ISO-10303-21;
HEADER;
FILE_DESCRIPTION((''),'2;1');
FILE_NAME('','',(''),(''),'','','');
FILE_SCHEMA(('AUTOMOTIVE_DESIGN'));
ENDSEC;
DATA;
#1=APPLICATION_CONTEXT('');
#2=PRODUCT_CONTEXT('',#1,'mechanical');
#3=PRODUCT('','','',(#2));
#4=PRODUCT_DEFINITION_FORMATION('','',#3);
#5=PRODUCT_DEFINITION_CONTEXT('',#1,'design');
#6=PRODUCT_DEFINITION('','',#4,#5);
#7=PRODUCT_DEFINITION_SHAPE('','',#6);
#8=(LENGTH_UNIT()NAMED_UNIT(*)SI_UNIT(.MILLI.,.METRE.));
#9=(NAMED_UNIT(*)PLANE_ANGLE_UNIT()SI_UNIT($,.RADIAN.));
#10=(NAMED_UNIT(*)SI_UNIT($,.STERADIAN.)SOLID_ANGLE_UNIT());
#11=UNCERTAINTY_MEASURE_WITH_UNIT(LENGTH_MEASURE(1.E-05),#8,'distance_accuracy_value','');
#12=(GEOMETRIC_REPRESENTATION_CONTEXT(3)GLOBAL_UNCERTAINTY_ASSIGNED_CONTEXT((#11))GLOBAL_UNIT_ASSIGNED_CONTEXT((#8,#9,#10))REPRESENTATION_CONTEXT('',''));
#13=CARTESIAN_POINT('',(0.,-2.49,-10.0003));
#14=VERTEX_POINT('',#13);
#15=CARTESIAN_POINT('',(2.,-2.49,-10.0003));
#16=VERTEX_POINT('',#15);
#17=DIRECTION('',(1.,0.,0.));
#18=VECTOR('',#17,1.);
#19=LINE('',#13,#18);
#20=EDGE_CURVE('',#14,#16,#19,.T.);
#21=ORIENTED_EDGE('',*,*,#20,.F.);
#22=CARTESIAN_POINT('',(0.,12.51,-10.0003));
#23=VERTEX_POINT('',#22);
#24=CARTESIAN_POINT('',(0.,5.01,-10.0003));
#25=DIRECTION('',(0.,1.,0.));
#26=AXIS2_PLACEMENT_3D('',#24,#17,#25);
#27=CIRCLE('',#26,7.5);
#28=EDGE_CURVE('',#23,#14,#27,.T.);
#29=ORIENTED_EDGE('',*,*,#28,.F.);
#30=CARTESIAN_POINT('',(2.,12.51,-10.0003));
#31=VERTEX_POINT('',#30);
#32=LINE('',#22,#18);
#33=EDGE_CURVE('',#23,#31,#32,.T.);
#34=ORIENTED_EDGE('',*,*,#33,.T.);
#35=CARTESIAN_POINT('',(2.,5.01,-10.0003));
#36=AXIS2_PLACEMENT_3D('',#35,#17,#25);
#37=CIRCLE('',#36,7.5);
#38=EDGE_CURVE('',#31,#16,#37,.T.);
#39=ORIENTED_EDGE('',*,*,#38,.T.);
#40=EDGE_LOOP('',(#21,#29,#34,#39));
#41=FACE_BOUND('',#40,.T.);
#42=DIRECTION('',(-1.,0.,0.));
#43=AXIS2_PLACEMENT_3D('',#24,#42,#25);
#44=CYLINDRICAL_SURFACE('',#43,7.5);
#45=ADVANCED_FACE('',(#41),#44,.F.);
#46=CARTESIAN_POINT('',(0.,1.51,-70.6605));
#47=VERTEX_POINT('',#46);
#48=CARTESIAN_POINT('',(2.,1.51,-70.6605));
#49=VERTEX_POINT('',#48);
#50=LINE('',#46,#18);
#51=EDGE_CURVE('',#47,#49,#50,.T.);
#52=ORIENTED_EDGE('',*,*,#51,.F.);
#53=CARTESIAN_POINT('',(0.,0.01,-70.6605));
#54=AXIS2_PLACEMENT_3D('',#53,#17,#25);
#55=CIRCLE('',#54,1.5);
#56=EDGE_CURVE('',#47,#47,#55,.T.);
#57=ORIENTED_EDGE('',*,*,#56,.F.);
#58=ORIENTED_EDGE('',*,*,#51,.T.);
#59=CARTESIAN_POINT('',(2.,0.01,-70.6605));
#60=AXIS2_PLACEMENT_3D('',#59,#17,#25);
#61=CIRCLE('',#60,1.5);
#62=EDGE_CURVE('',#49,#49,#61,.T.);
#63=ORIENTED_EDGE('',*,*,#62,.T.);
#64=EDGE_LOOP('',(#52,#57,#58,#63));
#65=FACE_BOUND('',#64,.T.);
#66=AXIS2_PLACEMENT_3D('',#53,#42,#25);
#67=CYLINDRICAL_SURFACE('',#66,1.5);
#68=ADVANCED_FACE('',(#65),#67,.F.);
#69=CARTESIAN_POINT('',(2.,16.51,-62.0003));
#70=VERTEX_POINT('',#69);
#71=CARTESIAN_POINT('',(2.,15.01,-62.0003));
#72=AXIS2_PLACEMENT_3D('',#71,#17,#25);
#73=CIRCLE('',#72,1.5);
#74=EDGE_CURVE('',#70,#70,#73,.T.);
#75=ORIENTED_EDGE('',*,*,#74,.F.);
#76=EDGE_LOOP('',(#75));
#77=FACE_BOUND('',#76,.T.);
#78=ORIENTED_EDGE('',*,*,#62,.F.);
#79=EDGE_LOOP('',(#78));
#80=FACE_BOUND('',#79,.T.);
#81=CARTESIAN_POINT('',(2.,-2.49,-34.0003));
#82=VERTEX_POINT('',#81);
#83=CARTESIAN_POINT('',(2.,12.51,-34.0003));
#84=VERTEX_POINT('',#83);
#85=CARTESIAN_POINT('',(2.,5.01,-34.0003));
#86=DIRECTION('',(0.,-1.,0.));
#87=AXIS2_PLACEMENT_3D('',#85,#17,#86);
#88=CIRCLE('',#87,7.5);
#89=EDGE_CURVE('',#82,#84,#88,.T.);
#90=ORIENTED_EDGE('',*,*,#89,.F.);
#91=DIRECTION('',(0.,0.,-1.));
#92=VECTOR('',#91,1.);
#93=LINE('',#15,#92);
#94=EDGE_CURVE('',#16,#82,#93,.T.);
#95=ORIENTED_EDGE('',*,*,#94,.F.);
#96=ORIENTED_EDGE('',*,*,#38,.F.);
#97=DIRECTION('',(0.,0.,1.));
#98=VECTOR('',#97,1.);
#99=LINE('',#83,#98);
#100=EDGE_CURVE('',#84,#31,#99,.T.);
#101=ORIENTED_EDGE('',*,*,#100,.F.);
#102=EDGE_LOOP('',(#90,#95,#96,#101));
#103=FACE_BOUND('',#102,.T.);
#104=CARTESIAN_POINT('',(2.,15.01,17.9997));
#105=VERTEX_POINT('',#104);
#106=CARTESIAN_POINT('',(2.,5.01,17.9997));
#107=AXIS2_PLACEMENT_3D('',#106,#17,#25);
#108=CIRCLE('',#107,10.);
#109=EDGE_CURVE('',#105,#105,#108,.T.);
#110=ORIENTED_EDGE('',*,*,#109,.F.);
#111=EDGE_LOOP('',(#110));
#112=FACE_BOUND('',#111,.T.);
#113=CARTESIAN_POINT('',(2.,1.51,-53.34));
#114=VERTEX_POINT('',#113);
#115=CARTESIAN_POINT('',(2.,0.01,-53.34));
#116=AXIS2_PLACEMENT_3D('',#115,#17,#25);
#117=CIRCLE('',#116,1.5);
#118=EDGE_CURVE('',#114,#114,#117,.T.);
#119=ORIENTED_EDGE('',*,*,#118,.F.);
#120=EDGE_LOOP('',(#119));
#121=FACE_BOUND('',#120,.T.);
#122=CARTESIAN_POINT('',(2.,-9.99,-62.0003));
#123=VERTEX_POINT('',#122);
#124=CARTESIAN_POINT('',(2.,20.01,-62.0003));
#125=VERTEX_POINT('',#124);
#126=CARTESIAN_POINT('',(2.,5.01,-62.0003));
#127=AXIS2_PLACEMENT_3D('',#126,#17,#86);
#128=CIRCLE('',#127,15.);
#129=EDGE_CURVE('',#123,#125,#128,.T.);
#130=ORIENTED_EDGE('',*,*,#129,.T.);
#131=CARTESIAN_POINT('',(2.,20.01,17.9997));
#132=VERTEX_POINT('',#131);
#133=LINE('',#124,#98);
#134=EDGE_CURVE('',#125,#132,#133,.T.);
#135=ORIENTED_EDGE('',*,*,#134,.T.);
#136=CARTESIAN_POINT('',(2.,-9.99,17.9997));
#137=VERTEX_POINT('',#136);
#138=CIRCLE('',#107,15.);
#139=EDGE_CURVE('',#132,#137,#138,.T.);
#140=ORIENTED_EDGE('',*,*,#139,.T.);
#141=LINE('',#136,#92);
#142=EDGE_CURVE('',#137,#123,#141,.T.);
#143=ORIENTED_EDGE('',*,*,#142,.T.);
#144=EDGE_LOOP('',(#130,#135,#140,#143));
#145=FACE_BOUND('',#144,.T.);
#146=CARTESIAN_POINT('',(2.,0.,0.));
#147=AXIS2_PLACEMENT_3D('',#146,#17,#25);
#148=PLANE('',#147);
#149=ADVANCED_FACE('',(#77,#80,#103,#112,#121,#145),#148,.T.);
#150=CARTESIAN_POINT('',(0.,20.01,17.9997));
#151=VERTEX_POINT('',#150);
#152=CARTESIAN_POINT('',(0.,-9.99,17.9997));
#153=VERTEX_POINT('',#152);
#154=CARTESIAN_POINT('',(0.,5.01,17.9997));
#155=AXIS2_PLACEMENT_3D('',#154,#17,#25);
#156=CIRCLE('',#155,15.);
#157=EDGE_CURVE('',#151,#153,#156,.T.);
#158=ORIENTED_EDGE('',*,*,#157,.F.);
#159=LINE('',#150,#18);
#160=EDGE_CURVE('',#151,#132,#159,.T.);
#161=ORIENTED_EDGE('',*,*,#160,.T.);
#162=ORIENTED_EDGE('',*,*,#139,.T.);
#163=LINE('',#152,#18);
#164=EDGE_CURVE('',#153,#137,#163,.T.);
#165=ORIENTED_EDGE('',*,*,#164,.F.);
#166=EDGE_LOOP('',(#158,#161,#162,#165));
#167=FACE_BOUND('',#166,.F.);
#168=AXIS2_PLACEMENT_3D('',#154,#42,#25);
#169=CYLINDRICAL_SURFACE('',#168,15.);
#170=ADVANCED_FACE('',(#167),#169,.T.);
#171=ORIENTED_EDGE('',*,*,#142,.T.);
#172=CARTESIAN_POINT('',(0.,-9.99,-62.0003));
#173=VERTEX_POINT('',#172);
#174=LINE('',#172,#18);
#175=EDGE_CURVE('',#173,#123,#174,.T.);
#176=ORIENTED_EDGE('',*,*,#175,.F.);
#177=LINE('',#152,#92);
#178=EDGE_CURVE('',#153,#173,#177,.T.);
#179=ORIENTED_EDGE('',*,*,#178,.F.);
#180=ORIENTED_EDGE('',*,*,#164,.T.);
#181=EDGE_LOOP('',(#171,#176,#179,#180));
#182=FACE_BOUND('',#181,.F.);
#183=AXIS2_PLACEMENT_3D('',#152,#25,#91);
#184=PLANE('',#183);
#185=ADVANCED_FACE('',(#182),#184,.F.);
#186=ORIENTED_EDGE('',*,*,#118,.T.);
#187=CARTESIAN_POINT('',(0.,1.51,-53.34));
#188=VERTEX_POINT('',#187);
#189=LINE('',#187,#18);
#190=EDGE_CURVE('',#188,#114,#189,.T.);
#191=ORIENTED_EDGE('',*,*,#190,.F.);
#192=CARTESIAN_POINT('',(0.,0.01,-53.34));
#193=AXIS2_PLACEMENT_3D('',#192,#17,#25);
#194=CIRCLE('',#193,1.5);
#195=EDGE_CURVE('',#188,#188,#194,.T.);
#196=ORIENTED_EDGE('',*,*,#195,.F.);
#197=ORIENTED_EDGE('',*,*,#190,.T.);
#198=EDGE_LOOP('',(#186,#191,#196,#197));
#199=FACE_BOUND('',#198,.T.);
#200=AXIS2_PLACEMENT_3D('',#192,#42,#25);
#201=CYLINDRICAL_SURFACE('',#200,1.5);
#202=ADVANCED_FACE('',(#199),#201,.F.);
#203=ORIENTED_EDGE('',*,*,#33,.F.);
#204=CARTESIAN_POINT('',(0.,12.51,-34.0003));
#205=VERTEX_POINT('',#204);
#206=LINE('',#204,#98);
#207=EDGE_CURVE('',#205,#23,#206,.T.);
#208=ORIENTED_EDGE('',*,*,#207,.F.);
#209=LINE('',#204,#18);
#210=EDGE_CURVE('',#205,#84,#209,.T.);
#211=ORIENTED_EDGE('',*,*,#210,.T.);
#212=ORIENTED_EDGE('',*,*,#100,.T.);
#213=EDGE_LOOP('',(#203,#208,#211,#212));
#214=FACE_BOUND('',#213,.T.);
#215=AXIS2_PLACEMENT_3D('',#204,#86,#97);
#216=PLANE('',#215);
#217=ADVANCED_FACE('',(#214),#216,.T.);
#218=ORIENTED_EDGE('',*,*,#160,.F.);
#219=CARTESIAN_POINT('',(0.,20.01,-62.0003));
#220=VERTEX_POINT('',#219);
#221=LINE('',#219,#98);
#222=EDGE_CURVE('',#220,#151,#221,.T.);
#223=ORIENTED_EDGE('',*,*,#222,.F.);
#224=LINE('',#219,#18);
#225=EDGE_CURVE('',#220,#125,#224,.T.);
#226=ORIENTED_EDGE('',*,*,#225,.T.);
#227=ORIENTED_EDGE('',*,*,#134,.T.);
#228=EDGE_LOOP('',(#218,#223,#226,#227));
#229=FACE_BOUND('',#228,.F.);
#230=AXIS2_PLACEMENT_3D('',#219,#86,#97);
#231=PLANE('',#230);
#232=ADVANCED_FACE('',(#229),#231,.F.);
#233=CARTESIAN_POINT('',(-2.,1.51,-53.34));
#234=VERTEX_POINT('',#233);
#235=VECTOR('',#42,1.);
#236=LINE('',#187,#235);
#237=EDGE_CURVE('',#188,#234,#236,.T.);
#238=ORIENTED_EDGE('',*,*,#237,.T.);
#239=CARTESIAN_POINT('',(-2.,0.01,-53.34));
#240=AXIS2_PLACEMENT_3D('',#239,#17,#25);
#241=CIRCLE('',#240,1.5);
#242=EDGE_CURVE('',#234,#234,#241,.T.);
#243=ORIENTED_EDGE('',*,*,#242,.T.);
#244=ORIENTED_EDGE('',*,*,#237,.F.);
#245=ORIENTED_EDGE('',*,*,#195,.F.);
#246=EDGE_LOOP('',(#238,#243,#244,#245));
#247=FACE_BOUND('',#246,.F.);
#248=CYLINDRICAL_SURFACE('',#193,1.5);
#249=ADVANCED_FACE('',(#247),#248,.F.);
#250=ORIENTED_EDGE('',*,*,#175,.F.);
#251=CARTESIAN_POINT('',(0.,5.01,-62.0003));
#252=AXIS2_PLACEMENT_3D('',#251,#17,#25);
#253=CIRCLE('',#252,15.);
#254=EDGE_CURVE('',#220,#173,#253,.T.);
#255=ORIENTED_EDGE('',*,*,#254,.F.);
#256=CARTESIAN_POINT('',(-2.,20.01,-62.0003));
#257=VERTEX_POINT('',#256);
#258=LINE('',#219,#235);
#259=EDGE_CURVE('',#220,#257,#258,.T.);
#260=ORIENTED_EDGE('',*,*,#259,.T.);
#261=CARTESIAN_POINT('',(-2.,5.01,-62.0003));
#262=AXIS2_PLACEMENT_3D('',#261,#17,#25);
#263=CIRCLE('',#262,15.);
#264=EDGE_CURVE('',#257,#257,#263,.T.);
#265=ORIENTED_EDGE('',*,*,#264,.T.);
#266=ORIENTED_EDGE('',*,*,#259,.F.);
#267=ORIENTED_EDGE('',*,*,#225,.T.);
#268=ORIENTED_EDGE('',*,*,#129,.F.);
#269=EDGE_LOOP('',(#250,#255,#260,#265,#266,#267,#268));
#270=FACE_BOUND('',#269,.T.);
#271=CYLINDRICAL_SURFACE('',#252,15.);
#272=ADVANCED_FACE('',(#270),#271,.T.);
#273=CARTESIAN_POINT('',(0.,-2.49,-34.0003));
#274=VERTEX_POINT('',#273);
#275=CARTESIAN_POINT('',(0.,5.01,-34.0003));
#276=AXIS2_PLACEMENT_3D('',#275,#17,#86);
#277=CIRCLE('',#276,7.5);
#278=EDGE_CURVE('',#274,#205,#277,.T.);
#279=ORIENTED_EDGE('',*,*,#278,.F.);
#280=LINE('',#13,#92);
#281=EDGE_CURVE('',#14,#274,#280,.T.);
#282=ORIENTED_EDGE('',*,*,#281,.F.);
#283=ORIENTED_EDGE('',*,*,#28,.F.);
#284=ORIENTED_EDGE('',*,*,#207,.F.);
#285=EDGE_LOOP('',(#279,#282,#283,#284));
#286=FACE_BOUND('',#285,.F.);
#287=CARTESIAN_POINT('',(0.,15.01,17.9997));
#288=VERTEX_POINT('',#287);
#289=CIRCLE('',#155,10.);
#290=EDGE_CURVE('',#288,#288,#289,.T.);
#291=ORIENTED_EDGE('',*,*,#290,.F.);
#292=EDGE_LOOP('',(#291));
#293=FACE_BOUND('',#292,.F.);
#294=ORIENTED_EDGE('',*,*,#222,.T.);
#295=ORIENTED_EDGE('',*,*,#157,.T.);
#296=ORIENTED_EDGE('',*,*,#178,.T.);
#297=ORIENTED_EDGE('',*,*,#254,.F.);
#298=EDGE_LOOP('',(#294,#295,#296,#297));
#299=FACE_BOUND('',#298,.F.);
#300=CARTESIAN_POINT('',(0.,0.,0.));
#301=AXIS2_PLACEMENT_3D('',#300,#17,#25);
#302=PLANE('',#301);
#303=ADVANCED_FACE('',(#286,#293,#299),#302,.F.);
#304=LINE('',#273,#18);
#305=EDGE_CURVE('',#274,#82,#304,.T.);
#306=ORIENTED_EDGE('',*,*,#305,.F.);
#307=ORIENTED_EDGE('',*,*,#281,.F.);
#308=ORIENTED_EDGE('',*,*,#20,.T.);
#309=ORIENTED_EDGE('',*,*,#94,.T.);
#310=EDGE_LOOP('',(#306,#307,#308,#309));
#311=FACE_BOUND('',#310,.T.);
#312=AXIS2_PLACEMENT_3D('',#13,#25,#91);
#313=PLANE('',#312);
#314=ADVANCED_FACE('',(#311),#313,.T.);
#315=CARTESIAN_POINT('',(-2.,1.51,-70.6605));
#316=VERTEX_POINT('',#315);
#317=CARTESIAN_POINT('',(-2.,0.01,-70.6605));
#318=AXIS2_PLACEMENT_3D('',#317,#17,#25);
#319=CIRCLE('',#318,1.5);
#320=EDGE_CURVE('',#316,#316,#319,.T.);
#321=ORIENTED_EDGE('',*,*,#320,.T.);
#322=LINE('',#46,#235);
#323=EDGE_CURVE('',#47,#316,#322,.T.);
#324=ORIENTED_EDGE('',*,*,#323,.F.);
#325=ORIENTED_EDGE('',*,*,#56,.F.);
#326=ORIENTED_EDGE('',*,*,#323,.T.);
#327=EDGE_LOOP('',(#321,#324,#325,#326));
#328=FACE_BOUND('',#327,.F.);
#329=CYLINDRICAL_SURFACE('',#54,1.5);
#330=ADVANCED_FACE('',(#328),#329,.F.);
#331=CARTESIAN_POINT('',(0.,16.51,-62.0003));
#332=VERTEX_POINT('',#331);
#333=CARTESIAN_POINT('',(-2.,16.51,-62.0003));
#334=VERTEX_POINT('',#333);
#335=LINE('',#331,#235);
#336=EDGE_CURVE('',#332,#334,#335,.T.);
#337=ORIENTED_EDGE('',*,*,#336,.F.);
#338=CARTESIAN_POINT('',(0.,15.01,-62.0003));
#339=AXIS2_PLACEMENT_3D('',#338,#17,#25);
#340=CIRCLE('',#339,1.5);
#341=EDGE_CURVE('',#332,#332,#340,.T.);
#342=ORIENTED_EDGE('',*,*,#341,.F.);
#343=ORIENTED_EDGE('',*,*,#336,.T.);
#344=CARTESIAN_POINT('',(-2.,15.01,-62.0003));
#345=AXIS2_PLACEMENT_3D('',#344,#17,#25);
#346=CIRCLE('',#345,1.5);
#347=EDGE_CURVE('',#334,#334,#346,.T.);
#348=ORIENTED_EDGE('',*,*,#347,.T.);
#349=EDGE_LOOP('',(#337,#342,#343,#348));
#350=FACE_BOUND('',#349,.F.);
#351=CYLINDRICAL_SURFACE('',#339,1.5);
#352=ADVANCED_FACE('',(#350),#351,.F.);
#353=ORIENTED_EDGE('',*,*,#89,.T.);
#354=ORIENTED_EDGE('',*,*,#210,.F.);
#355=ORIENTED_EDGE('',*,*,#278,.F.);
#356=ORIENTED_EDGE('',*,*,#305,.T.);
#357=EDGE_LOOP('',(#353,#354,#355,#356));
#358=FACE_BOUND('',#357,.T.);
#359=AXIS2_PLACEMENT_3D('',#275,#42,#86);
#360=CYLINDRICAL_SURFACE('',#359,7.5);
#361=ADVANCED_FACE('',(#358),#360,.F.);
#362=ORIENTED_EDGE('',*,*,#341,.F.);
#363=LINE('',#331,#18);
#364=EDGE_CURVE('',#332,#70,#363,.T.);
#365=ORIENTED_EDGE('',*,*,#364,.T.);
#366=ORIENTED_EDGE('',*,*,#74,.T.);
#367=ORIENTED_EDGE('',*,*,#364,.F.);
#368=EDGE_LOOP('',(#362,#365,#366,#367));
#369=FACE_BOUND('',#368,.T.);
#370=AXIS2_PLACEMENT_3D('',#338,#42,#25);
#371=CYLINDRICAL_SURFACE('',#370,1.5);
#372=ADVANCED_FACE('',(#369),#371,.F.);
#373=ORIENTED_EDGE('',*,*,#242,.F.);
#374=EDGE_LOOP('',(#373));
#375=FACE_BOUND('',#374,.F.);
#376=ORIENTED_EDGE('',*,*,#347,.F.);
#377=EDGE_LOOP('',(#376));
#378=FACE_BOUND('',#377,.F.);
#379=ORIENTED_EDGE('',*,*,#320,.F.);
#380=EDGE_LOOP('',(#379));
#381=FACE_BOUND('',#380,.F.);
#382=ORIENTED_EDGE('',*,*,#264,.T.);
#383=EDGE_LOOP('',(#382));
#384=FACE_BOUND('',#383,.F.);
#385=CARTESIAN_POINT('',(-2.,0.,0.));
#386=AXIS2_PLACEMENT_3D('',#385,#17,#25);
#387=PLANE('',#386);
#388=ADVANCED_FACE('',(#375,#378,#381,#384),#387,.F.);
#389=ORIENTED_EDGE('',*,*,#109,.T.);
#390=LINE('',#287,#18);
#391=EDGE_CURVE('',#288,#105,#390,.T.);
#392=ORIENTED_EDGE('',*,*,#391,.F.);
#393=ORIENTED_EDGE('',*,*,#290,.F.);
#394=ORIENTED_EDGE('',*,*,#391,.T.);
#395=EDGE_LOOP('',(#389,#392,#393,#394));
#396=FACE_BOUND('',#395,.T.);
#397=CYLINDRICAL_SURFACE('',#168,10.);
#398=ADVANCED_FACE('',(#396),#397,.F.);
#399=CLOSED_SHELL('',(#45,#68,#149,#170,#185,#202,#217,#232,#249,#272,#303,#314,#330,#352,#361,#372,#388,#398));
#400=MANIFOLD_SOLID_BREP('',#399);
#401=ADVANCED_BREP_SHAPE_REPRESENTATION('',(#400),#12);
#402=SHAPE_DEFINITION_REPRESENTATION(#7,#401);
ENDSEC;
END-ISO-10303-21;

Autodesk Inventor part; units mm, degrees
ref_plane "YZ Plane" through (0, 0, 0) normal (1, 0, 0) x (0, 1, 0)
ref_plane "XZ Plane" through (0, 0, 0) normal (0, 1, 0) x (-1, 0, 0)
ref_plane "XY Plane" through (0, 0, 0) normal (0, 0, 1) x (1, 0, 0)
sketch "Sketch1" plane through (0, 0, 0) normal (1, 0, 0) x (0, 1, 0)
  line L0 (5.01, 17.9997) -> (5.01, -62.0003) construction
  line L1 (-9.99, 17.9997) -> (-9.99, -62.0003)
  line L2 (20.01, -62.0003) -> (20.01, 17.9997)
  arc A0 (20.01, 17.9997) -> (-9.99, 17.9997) centre (5.01, 17.9997) ccw
  arc A1 (-9.99, -62.0003) -> (20.01, -62.0003) centre (5.01, -62.0003) ccw
  circle A2 centre (5.01, 17.9997) radius 10
  line L3 (5.01, -10.0003) -> (5.01, -34.0003) construction
  line L4 (-2.49, -10.0003) -> (-2.49, -34.0003)
  line L5 (12.51, -34.0003) -> (12.51, -10.0003)
  arc A3 (12.51, -10.0003) -> (-2.49, -10.0003) centre (5.01, -10.0003) ccw
  arc A4 (-2.49, -34.0003) -> (12.51, -34.0003) centre (5.01, -34.0003) ccw
  line L6 (-8.9091, -22.0003) -> (18.0909, -22.0003) construction
  circle A5 centre (5.01, -62.0003) radius 10 construction
  circle A6 centre (15.01, -62.0003) radius 1.5
  circle A7 centre (0.01, -53.34) radius 1.5
  circle A8 centre (0.01, -70.6605) radius 1.5
  circle A9 centre (5.01, -62.0003) radius 15
  point P0 (0, 0)
  point P1 (5.01, -22.0003)
  point P2 (-9.99, -62.0003)
  dimension "d0" = 30
  dimension "d1" = 80
  dimension "d2" = 20
  dimension "d5" = 15
  dimension "d6" = 3
  dimension "d9" = 360
  dimension "d13" = 24
extrude "Extrusion1" add sketch "Sketch1" along normal blind 2
extrude "Extrusion2" add sketch "Sketch1" against normal blind 2 contours A9 A1
properties part number "psmall"
